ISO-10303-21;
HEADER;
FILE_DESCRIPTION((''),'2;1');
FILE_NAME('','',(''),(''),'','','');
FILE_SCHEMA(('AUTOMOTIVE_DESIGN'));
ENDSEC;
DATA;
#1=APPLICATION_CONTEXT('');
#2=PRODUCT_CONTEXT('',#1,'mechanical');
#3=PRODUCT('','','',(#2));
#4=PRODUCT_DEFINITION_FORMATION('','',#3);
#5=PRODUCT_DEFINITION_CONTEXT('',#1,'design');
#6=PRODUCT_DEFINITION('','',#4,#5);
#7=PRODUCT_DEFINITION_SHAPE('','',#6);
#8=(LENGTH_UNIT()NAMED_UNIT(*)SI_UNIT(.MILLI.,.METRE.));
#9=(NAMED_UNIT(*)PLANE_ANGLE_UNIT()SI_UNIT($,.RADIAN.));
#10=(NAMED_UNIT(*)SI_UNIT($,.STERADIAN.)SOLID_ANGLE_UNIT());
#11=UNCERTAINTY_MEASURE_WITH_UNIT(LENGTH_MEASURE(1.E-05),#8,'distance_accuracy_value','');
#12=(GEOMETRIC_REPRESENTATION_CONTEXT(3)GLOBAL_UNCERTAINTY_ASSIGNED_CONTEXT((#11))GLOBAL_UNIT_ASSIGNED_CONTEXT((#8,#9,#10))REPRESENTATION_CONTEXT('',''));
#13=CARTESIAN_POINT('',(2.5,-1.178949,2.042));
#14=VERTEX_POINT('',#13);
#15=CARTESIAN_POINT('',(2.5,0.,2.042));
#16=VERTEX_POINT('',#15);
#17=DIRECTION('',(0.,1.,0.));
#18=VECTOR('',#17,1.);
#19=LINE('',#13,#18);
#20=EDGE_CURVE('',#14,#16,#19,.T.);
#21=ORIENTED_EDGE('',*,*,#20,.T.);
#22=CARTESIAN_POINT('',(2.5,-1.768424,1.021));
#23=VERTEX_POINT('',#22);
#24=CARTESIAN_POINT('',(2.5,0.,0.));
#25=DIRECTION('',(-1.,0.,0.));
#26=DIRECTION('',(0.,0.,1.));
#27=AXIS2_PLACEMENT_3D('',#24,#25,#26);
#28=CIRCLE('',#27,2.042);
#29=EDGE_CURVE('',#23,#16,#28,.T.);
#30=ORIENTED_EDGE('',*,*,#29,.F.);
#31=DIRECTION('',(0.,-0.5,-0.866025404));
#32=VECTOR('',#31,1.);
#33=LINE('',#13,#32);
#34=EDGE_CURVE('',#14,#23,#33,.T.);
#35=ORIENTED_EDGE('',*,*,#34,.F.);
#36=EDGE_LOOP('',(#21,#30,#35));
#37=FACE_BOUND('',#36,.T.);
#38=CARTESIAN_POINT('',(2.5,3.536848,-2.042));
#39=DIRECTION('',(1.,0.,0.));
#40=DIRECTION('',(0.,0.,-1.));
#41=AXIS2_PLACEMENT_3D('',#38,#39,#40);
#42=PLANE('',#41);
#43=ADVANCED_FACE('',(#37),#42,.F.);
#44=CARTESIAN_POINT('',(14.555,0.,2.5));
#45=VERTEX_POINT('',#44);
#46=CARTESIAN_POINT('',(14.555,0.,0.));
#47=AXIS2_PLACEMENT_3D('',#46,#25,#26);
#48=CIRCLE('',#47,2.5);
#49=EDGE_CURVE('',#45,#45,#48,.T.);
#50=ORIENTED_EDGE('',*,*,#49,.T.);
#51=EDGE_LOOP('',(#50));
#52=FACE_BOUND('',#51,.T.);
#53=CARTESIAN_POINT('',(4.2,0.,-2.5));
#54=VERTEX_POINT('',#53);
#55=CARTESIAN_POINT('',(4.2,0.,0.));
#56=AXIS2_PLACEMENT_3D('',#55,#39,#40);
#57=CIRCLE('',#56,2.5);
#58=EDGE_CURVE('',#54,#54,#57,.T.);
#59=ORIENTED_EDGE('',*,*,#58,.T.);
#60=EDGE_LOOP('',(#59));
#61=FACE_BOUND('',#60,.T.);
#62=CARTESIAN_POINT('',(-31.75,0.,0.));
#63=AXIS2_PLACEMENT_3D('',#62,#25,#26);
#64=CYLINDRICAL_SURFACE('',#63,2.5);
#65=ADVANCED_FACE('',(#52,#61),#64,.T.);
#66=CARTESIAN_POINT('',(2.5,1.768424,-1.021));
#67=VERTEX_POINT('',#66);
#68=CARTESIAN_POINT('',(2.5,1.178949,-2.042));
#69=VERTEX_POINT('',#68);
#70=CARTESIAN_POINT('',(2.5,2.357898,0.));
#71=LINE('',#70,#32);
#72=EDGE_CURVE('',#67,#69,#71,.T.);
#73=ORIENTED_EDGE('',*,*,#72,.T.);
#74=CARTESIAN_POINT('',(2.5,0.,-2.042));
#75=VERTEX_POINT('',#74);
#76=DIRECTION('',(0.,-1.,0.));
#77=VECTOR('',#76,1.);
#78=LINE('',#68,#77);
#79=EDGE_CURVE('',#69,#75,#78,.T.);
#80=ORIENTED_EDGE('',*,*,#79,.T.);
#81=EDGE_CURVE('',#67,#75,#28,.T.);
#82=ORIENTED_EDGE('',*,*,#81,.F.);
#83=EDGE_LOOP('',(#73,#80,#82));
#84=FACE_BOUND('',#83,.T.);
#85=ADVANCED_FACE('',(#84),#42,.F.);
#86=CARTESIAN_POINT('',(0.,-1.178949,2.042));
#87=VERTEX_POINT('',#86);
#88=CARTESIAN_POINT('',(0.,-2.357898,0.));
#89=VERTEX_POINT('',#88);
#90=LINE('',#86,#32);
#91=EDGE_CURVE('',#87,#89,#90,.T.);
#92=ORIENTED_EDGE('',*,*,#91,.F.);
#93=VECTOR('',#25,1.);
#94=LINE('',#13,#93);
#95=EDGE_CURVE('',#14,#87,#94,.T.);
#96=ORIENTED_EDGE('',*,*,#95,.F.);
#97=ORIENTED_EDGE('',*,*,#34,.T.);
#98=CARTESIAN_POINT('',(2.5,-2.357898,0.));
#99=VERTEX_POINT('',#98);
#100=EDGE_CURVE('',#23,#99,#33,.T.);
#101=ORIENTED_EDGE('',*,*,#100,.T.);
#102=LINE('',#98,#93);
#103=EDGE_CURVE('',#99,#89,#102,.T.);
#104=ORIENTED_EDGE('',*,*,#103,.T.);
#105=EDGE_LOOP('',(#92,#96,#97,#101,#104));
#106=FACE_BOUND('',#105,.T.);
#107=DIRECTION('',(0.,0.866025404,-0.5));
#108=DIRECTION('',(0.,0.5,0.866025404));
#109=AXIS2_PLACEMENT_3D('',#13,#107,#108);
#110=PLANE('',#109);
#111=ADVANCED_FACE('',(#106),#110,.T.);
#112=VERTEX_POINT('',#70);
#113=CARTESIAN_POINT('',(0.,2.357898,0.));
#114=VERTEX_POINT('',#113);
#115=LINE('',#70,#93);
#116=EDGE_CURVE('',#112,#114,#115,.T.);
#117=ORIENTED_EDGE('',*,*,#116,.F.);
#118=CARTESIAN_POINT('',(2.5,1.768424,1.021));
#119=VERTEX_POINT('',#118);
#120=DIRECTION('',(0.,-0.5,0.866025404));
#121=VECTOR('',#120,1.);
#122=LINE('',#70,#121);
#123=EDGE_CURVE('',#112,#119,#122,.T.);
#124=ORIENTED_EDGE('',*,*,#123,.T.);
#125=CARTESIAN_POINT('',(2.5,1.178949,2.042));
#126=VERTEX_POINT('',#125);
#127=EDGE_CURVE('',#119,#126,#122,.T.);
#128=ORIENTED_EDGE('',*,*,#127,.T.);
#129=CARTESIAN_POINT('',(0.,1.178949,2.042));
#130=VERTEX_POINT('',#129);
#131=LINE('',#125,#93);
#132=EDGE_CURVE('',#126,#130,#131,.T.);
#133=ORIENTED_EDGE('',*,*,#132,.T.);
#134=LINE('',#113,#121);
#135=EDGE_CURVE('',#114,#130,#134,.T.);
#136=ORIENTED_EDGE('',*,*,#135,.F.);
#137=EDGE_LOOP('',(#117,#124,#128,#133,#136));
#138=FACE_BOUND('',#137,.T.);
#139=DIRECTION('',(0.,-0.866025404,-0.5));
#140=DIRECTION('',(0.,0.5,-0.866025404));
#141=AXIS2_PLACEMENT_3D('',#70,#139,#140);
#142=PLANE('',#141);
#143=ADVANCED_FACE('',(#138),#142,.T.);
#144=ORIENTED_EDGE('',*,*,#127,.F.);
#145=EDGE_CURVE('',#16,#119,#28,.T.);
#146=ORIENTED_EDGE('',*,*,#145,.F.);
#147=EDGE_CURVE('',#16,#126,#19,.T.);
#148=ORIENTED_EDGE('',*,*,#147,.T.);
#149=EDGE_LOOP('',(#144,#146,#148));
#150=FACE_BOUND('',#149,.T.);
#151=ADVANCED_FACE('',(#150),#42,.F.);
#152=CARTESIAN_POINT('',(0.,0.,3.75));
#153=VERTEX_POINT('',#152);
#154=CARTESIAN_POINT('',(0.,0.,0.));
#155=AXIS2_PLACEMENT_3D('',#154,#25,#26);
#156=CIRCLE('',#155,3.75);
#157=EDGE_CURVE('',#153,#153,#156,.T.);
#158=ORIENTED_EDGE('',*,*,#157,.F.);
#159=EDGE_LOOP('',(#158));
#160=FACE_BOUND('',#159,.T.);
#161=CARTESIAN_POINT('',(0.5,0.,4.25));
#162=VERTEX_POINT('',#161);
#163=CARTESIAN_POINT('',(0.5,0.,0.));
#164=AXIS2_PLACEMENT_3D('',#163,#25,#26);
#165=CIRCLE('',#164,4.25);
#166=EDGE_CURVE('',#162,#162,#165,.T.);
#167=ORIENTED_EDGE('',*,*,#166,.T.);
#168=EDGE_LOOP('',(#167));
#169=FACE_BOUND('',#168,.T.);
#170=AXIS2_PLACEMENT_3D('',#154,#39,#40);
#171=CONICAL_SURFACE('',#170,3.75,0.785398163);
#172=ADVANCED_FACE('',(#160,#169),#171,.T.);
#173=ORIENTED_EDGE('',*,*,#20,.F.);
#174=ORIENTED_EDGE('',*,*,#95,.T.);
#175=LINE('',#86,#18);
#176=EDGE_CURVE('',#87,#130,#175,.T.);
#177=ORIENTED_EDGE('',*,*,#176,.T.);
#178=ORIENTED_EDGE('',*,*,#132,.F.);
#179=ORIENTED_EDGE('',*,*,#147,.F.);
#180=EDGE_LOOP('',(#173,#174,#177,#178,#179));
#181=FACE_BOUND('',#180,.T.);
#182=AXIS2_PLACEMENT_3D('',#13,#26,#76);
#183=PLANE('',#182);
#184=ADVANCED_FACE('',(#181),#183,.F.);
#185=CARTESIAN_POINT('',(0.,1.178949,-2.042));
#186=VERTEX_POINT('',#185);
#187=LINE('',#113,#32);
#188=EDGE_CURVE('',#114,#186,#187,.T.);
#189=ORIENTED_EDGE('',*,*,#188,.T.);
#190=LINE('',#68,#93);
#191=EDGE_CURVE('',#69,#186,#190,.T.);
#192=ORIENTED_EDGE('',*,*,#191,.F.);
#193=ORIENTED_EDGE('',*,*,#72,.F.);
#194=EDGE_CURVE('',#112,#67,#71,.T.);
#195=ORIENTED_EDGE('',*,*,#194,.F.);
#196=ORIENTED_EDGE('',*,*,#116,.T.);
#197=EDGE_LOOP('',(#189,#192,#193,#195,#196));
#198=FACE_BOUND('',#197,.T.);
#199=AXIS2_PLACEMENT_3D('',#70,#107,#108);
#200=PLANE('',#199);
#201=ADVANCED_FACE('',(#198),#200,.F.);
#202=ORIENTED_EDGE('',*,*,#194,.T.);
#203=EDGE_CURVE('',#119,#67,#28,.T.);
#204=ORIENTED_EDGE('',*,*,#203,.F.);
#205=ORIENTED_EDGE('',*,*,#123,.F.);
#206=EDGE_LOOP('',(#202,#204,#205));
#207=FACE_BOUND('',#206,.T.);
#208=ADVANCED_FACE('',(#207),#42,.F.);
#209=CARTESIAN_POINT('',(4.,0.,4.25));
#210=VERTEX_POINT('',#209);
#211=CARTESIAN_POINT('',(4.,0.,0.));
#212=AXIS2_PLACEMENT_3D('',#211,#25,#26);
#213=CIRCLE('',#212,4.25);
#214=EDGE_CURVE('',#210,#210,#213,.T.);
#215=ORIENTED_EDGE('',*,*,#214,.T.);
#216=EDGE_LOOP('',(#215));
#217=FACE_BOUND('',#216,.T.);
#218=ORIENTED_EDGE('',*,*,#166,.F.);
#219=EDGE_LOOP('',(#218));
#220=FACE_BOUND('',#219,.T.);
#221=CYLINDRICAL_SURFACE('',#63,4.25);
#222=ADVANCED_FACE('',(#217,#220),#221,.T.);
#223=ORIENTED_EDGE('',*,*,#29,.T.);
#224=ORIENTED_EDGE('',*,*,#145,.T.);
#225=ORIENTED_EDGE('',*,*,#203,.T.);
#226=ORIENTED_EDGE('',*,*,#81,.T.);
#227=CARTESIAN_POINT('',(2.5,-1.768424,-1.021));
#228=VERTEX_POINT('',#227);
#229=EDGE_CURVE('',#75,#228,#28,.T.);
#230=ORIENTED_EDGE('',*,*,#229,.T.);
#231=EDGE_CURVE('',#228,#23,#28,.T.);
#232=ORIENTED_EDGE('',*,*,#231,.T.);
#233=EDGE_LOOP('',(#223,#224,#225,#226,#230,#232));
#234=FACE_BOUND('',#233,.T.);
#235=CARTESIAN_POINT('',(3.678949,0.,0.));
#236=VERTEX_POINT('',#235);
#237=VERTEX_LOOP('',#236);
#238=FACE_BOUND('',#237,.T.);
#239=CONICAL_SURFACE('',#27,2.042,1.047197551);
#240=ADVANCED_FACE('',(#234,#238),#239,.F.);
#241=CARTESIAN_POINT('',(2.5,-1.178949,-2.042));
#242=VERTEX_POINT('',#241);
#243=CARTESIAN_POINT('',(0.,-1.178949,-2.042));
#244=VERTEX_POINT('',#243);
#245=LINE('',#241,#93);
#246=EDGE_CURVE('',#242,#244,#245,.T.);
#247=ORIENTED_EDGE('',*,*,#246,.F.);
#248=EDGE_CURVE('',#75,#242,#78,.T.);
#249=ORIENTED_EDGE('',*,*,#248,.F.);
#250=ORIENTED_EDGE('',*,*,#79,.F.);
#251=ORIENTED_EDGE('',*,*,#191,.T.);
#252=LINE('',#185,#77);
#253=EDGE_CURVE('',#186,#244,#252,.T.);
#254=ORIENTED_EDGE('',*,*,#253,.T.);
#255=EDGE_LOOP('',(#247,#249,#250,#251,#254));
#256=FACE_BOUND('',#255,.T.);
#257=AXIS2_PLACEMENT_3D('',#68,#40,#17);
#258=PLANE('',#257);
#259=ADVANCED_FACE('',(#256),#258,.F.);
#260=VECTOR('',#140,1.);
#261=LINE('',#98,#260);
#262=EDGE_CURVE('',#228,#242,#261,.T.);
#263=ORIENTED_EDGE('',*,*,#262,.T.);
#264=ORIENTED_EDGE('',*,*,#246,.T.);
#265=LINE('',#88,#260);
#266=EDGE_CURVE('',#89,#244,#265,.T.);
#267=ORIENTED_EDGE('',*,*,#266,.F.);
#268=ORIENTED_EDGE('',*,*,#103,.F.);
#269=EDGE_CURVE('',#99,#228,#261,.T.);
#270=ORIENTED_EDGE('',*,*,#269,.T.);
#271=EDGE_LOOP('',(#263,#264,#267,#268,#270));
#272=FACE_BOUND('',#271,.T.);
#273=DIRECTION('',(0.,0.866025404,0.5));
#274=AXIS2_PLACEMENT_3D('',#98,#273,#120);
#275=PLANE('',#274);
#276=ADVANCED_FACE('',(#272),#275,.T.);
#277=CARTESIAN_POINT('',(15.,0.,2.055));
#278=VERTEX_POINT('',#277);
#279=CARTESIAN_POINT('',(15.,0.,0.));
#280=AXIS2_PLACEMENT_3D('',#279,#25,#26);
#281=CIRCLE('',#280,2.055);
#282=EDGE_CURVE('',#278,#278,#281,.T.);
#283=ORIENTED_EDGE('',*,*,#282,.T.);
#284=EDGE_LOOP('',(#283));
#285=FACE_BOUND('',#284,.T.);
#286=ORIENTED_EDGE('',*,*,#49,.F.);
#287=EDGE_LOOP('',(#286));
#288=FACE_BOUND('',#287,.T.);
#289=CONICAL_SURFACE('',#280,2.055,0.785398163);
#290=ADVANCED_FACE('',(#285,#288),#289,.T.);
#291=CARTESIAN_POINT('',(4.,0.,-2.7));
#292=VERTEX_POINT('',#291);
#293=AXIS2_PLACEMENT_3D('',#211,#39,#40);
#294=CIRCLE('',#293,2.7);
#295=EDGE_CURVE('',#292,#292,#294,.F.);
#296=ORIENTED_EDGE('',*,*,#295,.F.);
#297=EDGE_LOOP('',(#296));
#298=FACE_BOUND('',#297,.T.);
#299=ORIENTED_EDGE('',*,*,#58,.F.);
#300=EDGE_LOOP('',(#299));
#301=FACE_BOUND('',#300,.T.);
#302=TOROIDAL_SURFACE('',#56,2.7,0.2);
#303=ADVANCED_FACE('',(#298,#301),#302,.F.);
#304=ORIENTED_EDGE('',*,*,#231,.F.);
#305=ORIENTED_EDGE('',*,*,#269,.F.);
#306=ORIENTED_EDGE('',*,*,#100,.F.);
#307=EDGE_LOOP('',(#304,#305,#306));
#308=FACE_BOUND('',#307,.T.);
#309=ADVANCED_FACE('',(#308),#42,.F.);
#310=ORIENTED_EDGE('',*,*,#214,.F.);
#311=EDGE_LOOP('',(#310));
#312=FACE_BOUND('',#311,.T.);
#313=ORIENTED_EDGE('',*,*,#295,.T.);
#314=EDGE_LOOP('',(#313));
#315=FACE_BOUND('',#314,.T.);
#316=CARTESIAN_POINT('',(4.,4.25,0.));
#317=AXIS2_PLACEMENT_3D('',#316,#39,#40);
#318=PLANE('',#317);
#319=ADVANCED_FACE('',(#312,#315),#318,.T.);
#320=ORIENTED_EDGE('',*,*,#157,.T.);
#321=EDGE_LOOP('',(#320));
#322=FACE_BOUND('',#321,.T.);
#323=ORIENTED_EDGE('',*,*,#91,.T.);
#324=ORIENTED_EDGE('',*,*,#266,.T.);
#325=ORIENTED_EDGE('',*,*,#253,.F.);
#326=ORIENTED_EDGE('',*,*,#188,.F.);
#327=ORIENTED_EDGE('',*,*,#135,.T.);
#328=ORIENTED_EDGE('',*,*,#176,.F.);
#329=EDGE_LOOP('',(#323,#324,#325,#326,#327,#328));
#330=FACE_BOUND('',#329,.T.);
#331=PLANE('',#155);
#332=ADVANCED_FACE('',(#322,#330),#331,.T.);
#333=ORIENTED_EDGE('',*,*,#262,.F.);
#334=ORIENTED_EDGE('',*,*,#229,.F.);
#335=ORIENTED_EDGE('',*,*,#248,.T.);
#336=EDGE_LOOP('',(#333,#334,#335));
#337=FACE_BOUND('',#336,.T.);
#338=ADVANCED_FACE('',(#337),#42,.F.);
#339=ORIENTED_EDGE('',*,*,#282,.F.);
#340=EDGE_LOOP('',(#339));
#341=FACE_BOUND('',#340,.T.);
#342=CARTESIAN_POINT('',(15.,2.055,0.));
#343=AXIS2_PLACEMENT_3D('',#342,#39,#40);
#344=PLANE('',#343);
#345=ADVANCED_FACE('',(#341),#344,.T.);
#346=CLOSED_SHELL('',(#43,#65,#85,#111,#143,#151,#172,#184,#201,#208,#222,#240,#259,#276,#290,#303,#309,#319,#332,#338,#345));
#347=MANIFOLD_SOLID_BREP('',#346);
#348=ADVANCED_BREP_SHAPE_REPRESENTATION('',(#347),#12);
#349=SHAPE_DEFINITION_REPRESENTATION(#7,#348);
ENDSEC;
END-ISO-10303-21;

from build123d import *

# Parameters (mm, degrees)
FILLET1_R   = 0.2
HEX_2_DEPTH = 2.5


with BuildPart() as part:
    # BodySke → Base-Revolve (revolve)
    with BuildSketch(Plane.XY):
        Polygon((0, 0), (0, 3.75), (0.5, 4.25), (4, 4.25), (4, 2.5), (14.555, 2.5), (15, 2.055), (15, 0), align=None)
    revolve(axis=Axis((-31.75, 0, 0), (1, 0, 0)))

    # Fillet1
    fillet1_edges = [part.edges().sort_by_distance(p)[0] for p in [
        (4, -2.5, 0),
    ]]
    fillet(fillet1_edges, radius=FILLET1_R)

    # Sketch2 → Hex-PreBroach (revolve, cut)
    with BuildSketch(Plane.XY):
        Polygon((0, 2.042), (2.5, 2.042), (3.67894925, 0), (0, 0), align=None)
    revolve(axis=Axis((0, 0, 0), (1, 0, 0)), mode=Mode.SUBTRACT)

    # Sketch3 → Hex 2 (cut)
    with BuildSketch(Plane(origin=(0, 0, 0), x_dir=(0, 0.5, 0.866025404), z_dir=(-1, 0, 0))):
        Polygon((1.17894925, 2.042), (-1.17894925, 2.042), (-2.357898499, 0), (-1.17894925, -2.042), (1.17894925, -2.042), (2.357898499, 0), align=None)
    extrude(amount=-HEX_2_DEPTH, mode=Mode.SUBTRACT)


solid = part.part
